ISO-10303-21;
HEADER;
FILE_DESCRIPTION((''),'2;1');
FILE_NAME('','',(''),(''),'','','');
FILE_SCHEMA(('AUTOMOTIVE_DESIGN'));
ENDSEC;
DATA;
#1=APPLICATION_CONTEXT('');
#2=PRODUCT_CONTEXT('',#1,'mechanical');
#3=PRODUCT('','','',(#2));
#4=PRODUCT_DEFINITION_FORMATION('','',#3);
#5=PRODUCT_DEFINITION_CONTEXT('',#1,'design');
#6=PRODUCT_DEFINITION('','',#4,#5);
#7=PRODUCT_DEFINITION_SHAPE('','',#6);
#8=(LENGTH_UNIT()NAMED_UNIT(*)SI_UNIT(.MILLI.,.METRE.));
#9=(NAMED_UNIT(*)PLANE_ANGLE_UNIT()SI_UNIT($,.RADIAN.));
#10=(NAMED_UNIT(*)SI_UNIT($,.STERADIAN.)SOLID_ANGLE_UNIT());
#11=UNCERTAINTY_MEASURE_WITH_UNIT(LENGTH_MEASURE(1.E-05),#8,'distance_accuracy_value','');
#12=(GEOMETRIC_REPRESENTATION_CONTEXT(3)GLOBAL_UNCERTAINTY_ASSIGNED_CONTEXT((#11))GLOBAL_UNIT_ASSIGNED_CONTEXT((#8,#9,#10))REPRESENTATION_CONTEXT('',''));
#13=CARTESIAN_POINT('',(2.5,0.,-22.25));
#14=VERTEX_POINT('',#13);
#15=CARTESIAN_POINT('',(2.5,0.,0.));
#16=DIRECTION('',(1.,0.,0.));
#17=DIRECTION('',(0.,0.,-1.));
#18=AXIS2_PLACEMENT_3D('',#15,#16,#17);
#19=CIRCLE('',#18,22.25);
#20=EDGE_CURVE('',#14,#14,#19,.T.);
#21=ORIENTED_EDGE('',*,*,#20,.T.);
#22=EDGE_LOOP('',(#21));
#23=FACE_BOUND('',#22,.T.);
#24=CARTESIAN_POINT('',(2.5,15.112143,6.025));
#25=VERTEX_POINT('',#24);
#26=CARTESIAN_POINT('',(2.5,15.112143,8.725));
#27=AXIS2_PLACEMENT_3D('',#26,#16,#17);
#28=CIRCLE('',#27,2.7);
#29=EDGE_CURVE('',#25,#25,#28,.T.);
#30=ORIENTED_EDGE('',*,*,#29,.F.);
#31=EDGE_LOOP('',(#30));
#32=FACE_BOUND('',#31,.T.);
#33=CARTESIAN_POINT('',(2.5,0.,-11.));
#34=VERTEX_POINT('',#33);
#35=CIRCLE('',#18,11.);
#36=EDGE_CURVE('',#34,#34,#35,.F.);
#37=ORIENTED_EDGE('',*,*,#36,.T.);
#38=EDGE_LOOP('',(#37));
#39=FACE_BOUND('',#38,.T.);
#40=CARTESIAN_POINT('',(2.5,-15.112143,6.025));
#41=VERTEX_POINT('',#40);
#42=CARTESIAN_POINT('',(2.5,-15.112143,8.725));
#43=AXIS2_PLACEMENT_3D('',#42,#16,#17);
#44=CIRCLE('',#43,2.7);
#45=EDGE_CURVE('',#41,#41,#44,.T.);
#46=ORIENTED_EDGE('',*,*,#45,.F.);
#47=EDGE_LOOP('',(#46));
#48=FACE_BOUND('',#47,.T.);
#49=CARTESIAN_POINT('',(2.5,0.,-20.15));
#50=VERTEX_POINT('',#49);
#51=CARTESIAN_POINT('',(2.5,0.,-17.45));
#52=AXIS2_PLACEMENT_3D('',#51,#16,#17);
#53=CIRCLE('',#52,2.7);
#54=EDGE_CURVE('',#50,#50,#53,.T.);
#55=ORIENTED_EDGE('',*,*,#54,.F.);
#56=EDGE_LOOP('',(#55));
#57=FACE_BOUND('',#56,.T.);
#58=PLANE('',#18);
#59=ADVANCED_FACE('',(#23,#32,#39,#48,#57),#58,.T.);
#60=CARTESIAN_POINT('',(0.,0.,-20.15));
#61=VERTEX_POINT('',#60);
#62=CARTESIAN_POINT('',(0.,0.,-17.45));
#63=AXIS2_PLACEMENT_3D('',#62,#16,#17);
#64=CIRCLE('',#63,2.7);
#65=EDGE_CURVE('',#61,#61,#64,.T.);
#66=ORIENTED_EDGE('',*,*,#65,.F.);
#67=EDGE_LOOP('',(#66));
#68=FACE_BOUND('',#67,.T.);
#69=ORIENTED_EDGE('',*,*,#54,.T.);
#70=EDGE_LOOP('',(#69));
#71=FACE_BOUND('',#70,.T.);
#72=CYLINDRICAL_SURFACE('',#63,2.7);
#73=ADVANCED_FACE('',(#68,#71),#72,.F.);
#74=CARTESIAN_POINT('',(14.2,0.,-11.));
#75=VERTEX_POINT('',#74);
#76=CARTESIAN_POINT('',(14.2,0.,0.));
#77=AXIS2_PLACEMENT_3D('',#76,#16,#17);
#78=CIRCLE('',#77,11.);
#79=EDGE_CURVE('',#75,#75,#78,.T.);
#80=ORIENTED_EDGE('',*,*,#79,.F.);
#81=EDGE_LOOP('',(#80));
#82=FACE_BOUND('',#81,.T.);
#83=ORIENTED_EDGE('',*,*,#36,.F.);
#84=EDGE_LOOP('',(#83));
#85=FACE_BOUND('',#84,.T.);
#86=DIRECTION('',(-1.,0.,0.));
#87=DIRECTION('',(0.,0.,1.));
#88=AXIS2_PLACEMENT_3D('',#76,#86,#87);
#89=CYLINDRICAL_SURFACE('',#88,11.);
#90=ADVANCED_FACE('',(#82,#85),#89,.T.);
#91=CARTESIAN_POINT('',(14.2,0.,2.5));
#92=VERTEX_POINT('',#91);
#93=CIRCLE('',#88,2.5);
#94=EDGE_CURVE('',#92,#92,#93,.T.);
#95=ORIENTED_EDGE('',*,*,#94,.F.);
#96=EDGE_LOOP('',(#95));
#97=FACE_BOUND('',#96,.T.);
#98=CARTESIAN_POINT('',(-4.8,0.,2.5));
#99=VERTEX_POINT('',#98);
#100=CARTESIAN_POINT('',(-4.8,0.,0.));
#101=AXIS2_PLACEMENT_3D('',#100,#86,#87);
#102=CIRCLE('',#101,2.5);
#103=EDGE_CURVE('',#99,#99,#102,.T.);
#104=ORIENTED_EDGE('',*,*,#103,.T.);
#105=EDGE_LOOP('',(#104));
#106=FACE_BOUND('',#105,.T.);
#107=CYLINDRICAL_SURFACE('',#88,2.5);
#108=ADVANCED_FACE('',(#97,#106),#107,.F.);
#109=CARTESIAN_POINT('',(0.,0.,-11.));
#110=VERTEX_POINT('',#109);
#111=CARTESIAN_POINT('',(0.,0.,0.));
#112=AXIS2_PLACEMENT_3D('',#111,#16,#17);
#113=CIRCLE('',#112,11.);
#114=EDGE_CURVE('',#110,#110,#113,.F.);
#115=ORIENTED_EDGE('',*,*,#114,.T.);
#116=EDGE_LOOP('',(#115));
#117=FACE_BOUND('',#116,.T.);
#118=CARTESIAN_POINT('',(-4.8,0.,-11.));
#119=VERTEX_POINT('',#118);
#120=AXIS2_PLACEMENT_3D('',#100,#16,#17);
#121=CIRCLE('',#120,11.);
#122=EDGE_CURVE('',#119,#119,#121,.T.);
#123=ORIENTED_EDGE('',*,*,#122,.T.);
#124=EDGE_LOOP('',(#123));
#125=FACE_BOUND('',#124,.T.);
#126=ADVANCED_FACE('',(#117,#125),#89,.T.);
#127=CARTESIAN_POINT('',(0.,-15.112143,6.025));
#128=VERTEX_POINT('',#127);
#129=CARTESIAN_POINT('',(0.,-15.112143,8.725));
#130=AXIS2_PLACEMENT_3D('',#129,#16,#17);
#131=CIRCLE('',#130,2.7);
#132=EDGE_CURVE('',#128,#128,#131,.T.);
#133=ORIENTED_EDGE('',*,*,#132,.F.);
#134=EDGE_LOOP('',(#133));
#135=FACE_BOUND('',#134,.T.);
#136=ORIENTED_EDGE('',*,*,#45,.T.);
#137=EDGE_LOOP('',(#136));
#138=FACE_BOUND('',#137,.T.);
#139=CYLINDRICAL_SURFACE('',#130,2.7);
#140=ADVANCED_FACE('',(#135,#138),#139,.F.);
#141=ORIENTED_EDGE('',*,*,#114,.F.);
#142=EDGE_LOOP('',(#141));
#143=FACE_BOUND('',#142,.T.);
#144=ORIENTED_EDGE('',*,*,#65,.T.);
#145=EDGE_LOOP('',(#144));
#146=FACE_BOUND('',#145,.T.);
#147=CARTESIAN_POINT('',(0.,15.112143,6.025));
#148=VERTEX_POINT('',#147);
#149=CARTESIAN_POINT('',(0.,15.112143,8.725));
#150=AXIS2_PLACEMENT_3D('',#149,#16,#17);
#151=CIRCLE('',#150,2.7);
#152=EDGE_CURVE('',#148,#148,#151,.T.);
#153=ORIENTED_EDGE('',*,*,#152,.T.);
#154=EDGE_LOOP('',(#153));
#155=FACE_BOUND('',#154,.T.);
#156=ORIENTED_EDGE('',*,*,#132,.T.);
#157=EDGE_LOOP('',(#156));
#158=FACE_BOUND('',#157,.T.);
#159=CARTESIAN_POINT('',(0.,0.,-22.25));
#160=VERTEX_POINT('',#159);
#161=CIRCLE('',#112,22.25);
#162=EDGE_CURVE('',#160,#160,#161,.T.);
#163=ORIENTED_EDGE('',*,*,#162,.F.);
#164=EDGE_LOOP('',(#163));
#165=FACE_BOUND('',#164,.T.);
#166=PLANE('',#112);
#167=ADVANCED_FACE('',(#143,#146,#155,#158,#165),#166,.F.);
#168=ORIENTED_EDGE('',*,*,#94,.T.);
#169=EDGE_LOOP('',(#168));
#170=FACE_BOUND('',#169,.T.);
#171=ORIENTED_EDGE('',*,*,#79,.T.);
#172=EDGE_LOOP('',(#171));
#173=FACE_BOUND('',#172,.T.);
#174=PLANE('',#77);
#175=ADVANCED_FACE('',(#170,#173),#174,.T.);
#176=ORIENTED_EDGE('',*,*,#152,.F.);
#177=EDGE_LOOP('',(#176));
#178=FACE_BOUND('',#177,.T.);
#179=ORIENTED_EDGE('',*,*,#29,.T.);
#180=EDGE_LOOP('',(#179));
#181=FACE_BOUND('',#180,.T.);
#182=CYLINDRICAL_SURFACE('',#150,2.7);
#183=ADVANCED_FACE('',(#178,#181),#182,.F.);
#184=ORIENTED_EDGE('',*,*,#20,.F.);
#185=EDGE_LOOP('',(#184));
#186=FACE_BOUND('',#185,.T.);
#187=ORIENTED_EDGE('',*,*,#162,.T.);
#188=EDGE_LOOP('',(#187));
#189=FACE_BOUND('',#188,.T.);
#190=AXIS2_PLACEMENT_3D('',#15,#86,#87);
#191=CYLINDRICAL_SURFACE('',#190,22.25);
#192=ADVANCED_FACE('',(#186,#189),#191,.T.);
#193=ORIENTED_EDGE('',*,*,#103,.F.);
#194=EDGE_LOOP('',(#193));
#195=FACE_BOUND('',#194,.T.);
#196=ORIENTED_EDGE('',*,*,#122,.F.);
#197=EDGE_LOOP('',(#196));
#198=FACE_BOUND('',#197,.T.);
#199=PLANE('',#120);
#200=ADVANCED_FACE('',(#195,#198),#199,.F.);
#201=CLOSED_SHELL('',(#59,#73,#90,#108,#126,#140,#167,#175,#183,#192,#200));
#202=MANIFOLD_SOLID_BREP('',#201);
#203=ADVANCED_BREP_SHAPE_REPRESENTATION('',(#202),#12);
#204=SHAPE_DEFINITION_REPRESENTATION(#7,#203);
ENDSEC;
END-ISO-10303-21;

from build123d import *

# Parameters (mm, degrees)
SKETCH1_R           = 22.25
BOSS_EXTRUDE1_DEPTH = 2.5
SKETCH2_R           = 2.7
CUT_EXTRUDE1_DEPTH  = 32.565408282
BOSS_EXTRUDE2_START = -7.3
SKETCH3_R           = 11
BOSS_EXTRUDE2_DEPTH = 19
SKETCH4_R           = 2.5
CUT_EXTRUDE2_DEPTH  = 37.757652265


with BuildPart() as part:
    # Sketch1 → Boss-Extrude1 (new body)
    with BuildSketch(Plane(origin=(0, 0, 0), x_dir=(0, 0, -1), z_dir=(1, 0, 0))):
        Circle(SKETCH1_R)
    extrude(amount=BOSS_EXTRUDE1_DEPTH)

    # Sketch2 → Cut-Extrude1 (cut, through all)
    with BuildSketch(Plane(origin=(2.5, 0, 0), x_dir=(0, 0, -1), z_dir=(1, 0, 0))):
        with Locations((17.45, 0)):
            Circle(SKETCH2_R)
        with Locations((-8.725, 15.112143296)):
            Circle(SKETCH2_R)
        with Locations((-8.725, -15.112143296)):
            Circle(SKETCH2_R)
    extrude(amount=-CUT_EXTRUDE1_DEPTH, mode=Mode.SUBTRACT)

    # Sketch3 → Boss-Extrude2 (add)
    with BuildSketch(Plane(origin=(2.5, 0, 0), x_dir=(0, 0, -1), z_dir=(1, 0, 0)).offset(BOSS_EXTRUDE2_START)):
        Circle(SKETCH3_R)
    extrude(amount=BOSS_EXTRUDE2_DEPTH)

    # Sketch4 → Cut-Extrude2 (cut, through all)
    with BuildSketch(Plane.ZY.offset(4.8)):
        Circle(SKETCH4_R)
    extrude(amount=-CUT_EXTRUDE2_DEPTH, mode=Mode.SUBTRACT)


solid = part.part
